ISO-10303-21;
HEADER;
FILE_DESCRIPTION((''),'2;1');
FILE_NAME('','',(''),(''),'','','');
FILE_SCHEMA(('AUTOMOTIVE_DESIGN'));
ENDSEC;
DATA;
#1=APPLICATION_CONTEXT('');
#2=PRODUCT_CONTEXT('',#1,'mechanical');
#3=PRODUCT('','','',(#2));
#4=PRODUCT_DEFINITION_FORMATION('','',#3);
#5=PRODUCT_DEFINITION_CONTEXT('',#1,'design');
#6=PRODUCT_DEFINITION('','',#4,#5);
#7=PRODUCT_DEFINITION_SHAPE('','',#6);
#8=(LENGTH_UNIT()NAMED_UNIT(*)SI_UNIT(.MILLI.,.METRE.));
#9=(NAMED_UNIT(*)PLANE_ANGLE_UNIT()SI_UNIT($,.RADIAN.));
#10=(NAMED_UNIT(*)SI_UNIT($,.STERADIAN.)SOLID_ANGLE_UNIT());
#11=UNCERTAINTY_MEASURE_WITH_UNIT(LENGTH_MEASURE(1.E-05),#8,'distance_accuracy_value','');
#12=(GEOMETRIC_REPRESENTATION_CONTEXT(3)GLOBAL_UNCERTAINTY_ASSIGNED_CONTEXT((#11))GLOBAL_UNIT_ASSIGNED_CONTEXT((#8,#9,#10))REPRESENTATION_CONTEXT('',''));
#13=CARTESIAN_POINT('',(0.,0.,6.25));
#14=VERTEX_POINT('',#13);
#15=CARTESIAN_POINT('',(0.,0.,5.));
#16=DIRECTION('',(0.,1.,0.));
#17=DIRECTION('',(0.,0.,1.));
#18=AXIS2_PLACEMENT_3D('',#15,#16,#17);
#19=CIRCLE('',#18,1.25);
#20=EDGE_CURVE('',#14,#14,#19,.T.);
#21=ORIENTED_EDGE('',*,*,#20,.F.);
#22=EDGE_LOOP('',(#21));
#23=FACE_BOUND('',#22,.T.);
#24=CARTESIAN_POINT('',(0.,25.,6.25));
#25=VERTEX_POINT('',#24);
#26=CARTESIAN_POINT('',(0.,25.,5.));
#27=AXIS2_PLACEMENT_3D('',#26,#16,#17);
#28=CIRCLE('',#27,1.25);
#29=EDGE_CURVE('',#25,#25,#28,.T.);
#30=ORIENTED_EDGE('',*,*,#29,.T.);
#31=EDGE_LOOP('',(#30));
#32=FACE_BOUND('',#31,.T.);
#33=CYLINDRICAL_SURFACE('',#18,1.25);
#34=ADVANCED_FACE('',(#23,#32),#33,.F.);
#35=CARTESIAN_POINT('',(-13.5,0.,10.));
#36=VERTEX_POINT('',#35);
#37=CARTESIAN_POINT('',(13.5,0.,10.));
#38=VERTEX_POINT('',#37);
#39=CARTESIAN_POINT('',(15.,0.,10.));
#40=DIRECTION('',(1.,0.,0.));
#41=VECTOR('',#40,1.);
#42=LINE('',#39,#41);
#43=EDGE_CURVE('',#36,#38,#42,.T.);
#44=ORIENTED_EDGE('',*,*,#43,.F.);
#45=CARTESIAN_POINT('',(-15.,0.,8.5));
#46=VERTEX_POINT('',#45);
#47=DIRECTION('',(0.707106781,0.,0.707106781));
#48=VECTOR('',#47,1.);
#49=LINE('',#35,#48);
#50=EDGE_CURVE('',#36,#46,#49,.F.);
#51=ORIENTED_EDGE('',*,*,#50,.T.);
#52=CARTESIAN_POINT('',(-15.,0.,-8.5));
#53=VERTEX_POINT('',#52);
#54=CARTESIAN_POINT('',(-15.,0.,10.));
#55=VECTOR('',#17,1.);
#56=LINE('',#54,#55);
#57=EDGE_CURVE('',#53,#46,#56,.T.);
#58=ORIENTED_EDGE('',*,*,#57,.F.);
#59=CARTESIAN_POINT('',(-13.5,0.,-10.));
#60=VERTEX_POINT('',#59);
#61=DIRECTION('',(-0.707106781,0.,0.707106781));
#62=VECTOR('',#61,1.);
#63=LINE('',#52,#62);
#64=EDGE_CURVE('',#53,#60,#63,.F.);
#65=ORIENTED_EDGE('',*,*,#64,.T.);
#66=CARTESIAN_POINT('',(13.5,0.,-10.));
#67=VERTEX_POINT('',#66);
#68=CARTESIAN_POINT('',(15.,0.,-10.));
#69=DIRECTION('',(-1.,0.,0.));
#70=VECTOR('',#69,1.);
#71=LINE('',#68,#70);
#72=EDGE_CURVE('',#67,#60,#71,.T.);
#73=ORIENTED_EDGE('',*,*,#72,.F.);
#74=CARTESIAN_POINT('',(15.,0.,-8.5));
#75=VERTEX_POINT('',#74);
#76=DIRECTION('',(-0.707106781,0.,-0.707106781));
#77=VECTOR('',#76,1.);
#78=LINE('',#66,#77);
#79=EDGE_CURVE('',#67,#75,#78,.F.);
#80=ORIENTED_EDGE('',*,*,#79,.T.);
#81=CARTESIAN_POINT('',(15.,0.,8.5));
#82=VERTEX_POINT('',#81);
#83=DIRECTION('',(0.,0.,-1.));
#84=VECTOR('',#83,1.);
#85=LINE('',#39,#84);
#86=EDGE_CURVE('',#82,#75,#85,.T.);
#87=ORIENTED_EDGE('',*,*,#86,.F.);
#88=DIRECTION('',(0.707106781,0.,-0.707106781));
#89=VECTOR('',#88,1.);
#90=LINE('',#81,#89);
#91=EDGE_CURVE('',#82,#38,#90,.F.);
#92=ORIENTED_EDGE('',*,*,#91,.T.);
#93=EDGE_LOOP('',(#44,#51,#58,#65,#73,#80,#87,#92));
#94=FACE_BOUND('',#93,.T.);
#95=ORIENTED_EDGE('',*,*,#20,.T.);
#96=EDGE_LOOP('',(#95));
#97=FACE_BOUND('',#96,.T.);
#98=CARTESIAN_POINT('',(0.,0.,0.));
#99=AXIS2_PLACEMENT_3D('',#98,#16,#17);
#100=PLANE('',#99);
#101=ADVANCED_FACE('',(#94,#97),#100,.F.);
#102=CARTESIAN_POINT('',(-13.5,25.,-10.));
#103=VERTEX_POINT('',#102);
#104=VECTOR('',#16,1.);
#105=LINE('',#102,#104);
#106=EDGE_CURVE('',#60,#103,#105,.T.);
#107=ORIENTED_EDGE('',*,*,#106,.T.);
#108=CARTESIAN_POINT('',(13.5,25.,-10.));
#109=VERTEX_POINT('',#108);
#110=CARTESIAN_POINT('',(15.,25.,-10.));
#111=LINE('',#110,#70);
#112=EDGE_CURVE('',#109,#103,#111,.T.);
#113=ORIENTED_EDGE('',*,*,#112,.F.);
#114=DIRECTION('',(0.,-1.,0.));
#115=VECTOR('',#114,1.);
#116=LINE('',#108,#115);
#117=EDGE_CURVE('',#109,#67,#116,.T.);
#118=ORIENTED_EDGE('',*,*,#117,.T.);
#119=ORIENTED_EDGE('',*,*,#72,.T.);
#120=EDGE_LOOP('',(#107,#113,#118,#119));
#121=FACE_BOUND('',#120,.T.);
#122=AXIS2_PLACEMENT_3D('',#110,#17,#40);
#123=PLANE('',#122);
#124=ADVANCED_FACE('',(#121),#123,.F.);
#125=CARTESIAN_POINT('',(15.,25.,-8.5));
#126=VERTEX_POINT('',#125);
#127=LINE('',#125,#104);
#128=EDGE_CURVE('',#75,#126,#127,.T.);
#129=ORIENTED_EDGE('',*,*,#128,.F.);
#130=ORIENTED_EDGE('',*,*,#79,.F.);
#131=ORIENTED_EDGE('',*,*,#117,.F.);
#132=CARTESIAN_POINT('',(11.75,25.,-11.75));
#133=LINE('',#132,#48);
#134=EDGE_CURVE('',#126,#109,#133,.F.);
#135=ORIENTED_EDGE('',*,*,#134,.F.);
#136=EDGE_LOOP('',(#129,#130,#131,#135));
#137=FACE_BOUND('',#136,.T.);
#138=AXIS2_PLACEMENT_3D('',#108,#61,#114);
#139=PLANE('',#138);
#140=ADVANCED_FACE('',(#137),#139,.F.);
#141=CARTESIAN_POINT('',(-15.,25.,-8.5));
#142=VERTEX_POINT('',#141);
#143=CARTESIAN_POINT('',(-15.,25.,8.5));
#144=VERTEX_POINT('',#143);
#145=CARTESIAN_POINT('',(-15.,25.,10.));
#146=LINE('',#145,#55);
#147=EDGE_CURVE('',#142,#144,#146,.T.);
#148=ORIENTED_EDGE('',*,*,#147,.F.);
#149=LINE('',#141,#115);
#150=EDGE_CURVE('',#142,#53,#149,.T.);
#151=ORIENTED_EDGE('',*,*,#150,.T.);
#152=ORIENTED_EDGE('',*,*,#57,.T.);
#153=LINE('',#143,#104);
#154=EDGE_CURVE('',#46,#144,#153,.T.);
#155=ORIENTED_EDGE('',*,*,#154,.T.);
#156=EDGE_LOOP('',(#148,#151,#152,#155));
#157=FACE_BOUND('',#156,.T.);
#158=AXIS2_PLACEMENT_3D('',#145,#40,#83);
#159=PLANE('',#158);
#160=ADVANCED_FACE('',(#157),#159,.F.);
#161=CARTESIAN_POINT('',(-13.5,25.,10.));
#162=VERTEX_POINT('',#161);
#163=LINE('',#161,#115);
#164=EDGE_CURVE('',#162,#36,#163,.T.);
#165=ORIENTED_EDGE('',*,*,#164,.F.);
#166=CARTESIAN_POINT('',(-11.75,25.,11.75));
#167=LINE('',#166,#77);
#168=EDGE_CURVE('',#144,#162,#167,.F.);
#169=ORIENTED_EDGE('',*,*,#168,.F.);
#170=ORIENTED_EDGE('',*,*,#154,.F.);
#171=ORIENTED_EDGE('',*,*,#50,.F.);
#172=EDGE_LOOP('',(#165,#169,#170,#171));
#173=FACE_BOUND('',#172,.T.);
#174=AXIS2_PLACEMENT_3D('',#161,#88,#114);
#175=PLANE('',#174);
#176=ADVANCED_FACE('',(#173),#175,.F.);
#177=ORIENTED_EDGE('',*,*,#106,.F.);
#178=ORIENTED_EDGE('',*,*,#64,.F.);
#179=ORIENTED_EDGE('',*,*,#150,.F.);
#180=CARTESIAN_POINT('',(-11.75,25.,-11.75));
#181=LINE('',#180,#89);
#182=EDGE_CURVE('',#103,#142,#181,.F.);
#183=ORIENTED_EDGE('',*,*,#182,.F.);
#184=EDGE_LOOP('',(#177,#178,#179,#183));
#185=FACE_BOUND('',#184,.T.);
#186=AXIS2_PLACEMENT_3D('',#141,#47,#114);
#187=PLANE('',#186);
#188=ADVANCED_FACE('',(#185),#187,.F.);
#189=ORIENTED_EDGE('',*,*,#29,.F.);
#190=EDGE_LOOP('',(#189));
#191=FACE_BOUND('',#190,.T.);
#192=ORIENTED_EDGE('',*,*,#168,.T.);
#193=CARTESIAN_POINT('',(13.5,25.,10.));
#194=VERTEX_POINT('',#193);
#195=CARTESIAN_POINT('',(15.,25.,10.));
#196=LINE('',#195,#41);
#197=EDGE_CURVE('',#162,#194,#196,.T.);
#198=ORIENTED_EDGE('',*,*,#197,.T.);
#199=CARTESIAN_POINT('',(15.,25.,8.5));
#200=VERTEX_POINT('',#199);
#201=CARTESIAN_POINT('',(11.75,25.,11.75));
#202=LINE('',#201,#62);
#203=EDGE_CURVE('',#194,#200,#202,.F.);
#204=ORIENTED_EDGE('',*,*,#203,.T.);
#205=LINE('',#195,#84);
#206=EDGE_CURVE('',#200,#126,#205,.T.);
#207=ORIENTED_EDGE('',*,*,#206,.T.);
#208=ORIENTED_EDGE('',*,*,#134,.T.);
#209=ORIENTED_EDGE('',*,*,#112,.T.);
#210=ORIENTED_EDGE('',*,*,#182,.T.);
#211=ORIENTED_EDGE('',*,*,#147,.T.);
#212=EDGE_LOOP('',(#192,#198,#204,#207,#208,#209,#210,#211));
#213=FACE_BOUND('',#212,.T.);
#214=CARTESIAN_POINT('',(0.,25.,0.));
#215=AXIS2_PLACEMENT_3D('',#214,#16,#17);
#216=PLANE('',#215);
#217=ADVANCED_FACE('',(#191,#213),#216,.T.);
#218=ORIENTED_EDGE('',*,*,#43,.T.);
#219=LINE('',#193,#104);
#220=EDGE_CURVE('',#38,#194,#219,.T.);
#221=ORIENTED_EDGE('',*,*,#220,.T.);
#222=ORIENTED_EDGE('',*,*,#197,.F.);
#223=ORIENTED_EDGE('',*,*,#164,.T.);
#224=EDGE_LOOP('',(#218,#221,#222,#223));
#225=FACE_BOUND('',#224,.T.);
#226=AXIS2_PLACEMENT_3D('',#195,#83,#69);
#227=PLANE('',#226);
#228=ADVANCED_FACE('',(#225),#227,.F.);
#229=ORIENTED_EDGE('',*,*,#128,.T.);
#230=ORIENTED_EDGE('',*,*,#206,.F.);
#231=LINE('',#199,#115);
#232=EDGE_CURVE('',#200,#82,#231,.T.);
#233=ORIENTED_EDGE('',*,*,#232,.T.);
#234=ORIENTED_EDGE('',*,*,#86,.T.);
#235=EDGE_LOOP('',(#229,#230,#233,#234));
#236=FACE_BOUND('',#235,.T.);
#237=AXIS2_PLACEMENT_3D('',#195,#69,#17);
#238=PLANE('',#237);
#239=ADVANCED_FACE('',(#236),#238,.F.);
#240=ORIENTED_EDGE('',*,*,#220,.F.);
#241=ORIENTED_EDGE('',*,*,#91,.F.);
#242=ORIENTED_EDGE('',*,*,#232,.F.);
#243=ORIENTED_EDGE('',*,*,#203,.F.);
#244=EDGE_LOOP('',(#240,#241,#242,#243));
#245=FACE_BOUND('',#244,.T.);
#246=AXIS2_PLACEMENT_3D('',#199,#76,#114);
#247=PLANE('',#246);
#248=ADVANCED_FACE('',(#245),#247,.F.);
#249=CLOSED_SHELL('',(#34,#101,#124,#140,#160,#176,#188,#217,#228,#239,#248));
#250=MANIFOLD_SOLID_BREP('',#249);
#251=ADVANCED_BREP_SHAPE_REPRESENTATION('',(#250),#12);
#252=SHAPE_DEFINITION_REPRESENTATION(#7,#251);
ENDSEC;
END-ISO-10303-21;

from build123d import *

# Parameters (mm, degrees)
SKETCH_1_W          = 30
SKETCH_1_H          = 20
EXTRUDE_1_DEPTH     = 25
SKETCH_2_R          = 1.25
CUT_EXTRUDE_1_DEPTH = 31.822070015
CHAMFER_1_SIZE      = 1.5


with BuildPart() as part:
    # 草图1 → 凸台-拉伸1 (new body)
    with BuildSketch(Plane(origin=(0, 0, 0), x_dir=(1, 0, 0), z_dir=(0, 1, 0))):
        Rectangle(SKETCH_1_W, SKETCH_1_H)
    extrude(amount=EXTRUDE_1_DEPTH)

    # 草图2 → 切除-拉伸1 (cut, through all)
    with BuildSketch(Plane(origin=(0, 25, 0), x_dir=(1, 0, 0), z_dir=(0, 1, 0))):
        with Locations(Location((0, -5, 0), (0, 0, 270))):
            Circle(SKETCH_2_R)
    extrude(amount=-CUT_EXTRUDE_1_DEPTH, mode=Mode.SUBTRACT)

    # 倒角1
    chamfer_1_edges = [part.edges().sort_by_distance(p)[0] for p in [
        (-15, 12.5, -10),
        (15, 12.5, -10),
        (15, 12.5, 10),
        (-15, 12.5, 10),
    ]]
    chamfer(chamfer_1_edges, length=CHAMFER_1_SIZE)


solid = part.part
